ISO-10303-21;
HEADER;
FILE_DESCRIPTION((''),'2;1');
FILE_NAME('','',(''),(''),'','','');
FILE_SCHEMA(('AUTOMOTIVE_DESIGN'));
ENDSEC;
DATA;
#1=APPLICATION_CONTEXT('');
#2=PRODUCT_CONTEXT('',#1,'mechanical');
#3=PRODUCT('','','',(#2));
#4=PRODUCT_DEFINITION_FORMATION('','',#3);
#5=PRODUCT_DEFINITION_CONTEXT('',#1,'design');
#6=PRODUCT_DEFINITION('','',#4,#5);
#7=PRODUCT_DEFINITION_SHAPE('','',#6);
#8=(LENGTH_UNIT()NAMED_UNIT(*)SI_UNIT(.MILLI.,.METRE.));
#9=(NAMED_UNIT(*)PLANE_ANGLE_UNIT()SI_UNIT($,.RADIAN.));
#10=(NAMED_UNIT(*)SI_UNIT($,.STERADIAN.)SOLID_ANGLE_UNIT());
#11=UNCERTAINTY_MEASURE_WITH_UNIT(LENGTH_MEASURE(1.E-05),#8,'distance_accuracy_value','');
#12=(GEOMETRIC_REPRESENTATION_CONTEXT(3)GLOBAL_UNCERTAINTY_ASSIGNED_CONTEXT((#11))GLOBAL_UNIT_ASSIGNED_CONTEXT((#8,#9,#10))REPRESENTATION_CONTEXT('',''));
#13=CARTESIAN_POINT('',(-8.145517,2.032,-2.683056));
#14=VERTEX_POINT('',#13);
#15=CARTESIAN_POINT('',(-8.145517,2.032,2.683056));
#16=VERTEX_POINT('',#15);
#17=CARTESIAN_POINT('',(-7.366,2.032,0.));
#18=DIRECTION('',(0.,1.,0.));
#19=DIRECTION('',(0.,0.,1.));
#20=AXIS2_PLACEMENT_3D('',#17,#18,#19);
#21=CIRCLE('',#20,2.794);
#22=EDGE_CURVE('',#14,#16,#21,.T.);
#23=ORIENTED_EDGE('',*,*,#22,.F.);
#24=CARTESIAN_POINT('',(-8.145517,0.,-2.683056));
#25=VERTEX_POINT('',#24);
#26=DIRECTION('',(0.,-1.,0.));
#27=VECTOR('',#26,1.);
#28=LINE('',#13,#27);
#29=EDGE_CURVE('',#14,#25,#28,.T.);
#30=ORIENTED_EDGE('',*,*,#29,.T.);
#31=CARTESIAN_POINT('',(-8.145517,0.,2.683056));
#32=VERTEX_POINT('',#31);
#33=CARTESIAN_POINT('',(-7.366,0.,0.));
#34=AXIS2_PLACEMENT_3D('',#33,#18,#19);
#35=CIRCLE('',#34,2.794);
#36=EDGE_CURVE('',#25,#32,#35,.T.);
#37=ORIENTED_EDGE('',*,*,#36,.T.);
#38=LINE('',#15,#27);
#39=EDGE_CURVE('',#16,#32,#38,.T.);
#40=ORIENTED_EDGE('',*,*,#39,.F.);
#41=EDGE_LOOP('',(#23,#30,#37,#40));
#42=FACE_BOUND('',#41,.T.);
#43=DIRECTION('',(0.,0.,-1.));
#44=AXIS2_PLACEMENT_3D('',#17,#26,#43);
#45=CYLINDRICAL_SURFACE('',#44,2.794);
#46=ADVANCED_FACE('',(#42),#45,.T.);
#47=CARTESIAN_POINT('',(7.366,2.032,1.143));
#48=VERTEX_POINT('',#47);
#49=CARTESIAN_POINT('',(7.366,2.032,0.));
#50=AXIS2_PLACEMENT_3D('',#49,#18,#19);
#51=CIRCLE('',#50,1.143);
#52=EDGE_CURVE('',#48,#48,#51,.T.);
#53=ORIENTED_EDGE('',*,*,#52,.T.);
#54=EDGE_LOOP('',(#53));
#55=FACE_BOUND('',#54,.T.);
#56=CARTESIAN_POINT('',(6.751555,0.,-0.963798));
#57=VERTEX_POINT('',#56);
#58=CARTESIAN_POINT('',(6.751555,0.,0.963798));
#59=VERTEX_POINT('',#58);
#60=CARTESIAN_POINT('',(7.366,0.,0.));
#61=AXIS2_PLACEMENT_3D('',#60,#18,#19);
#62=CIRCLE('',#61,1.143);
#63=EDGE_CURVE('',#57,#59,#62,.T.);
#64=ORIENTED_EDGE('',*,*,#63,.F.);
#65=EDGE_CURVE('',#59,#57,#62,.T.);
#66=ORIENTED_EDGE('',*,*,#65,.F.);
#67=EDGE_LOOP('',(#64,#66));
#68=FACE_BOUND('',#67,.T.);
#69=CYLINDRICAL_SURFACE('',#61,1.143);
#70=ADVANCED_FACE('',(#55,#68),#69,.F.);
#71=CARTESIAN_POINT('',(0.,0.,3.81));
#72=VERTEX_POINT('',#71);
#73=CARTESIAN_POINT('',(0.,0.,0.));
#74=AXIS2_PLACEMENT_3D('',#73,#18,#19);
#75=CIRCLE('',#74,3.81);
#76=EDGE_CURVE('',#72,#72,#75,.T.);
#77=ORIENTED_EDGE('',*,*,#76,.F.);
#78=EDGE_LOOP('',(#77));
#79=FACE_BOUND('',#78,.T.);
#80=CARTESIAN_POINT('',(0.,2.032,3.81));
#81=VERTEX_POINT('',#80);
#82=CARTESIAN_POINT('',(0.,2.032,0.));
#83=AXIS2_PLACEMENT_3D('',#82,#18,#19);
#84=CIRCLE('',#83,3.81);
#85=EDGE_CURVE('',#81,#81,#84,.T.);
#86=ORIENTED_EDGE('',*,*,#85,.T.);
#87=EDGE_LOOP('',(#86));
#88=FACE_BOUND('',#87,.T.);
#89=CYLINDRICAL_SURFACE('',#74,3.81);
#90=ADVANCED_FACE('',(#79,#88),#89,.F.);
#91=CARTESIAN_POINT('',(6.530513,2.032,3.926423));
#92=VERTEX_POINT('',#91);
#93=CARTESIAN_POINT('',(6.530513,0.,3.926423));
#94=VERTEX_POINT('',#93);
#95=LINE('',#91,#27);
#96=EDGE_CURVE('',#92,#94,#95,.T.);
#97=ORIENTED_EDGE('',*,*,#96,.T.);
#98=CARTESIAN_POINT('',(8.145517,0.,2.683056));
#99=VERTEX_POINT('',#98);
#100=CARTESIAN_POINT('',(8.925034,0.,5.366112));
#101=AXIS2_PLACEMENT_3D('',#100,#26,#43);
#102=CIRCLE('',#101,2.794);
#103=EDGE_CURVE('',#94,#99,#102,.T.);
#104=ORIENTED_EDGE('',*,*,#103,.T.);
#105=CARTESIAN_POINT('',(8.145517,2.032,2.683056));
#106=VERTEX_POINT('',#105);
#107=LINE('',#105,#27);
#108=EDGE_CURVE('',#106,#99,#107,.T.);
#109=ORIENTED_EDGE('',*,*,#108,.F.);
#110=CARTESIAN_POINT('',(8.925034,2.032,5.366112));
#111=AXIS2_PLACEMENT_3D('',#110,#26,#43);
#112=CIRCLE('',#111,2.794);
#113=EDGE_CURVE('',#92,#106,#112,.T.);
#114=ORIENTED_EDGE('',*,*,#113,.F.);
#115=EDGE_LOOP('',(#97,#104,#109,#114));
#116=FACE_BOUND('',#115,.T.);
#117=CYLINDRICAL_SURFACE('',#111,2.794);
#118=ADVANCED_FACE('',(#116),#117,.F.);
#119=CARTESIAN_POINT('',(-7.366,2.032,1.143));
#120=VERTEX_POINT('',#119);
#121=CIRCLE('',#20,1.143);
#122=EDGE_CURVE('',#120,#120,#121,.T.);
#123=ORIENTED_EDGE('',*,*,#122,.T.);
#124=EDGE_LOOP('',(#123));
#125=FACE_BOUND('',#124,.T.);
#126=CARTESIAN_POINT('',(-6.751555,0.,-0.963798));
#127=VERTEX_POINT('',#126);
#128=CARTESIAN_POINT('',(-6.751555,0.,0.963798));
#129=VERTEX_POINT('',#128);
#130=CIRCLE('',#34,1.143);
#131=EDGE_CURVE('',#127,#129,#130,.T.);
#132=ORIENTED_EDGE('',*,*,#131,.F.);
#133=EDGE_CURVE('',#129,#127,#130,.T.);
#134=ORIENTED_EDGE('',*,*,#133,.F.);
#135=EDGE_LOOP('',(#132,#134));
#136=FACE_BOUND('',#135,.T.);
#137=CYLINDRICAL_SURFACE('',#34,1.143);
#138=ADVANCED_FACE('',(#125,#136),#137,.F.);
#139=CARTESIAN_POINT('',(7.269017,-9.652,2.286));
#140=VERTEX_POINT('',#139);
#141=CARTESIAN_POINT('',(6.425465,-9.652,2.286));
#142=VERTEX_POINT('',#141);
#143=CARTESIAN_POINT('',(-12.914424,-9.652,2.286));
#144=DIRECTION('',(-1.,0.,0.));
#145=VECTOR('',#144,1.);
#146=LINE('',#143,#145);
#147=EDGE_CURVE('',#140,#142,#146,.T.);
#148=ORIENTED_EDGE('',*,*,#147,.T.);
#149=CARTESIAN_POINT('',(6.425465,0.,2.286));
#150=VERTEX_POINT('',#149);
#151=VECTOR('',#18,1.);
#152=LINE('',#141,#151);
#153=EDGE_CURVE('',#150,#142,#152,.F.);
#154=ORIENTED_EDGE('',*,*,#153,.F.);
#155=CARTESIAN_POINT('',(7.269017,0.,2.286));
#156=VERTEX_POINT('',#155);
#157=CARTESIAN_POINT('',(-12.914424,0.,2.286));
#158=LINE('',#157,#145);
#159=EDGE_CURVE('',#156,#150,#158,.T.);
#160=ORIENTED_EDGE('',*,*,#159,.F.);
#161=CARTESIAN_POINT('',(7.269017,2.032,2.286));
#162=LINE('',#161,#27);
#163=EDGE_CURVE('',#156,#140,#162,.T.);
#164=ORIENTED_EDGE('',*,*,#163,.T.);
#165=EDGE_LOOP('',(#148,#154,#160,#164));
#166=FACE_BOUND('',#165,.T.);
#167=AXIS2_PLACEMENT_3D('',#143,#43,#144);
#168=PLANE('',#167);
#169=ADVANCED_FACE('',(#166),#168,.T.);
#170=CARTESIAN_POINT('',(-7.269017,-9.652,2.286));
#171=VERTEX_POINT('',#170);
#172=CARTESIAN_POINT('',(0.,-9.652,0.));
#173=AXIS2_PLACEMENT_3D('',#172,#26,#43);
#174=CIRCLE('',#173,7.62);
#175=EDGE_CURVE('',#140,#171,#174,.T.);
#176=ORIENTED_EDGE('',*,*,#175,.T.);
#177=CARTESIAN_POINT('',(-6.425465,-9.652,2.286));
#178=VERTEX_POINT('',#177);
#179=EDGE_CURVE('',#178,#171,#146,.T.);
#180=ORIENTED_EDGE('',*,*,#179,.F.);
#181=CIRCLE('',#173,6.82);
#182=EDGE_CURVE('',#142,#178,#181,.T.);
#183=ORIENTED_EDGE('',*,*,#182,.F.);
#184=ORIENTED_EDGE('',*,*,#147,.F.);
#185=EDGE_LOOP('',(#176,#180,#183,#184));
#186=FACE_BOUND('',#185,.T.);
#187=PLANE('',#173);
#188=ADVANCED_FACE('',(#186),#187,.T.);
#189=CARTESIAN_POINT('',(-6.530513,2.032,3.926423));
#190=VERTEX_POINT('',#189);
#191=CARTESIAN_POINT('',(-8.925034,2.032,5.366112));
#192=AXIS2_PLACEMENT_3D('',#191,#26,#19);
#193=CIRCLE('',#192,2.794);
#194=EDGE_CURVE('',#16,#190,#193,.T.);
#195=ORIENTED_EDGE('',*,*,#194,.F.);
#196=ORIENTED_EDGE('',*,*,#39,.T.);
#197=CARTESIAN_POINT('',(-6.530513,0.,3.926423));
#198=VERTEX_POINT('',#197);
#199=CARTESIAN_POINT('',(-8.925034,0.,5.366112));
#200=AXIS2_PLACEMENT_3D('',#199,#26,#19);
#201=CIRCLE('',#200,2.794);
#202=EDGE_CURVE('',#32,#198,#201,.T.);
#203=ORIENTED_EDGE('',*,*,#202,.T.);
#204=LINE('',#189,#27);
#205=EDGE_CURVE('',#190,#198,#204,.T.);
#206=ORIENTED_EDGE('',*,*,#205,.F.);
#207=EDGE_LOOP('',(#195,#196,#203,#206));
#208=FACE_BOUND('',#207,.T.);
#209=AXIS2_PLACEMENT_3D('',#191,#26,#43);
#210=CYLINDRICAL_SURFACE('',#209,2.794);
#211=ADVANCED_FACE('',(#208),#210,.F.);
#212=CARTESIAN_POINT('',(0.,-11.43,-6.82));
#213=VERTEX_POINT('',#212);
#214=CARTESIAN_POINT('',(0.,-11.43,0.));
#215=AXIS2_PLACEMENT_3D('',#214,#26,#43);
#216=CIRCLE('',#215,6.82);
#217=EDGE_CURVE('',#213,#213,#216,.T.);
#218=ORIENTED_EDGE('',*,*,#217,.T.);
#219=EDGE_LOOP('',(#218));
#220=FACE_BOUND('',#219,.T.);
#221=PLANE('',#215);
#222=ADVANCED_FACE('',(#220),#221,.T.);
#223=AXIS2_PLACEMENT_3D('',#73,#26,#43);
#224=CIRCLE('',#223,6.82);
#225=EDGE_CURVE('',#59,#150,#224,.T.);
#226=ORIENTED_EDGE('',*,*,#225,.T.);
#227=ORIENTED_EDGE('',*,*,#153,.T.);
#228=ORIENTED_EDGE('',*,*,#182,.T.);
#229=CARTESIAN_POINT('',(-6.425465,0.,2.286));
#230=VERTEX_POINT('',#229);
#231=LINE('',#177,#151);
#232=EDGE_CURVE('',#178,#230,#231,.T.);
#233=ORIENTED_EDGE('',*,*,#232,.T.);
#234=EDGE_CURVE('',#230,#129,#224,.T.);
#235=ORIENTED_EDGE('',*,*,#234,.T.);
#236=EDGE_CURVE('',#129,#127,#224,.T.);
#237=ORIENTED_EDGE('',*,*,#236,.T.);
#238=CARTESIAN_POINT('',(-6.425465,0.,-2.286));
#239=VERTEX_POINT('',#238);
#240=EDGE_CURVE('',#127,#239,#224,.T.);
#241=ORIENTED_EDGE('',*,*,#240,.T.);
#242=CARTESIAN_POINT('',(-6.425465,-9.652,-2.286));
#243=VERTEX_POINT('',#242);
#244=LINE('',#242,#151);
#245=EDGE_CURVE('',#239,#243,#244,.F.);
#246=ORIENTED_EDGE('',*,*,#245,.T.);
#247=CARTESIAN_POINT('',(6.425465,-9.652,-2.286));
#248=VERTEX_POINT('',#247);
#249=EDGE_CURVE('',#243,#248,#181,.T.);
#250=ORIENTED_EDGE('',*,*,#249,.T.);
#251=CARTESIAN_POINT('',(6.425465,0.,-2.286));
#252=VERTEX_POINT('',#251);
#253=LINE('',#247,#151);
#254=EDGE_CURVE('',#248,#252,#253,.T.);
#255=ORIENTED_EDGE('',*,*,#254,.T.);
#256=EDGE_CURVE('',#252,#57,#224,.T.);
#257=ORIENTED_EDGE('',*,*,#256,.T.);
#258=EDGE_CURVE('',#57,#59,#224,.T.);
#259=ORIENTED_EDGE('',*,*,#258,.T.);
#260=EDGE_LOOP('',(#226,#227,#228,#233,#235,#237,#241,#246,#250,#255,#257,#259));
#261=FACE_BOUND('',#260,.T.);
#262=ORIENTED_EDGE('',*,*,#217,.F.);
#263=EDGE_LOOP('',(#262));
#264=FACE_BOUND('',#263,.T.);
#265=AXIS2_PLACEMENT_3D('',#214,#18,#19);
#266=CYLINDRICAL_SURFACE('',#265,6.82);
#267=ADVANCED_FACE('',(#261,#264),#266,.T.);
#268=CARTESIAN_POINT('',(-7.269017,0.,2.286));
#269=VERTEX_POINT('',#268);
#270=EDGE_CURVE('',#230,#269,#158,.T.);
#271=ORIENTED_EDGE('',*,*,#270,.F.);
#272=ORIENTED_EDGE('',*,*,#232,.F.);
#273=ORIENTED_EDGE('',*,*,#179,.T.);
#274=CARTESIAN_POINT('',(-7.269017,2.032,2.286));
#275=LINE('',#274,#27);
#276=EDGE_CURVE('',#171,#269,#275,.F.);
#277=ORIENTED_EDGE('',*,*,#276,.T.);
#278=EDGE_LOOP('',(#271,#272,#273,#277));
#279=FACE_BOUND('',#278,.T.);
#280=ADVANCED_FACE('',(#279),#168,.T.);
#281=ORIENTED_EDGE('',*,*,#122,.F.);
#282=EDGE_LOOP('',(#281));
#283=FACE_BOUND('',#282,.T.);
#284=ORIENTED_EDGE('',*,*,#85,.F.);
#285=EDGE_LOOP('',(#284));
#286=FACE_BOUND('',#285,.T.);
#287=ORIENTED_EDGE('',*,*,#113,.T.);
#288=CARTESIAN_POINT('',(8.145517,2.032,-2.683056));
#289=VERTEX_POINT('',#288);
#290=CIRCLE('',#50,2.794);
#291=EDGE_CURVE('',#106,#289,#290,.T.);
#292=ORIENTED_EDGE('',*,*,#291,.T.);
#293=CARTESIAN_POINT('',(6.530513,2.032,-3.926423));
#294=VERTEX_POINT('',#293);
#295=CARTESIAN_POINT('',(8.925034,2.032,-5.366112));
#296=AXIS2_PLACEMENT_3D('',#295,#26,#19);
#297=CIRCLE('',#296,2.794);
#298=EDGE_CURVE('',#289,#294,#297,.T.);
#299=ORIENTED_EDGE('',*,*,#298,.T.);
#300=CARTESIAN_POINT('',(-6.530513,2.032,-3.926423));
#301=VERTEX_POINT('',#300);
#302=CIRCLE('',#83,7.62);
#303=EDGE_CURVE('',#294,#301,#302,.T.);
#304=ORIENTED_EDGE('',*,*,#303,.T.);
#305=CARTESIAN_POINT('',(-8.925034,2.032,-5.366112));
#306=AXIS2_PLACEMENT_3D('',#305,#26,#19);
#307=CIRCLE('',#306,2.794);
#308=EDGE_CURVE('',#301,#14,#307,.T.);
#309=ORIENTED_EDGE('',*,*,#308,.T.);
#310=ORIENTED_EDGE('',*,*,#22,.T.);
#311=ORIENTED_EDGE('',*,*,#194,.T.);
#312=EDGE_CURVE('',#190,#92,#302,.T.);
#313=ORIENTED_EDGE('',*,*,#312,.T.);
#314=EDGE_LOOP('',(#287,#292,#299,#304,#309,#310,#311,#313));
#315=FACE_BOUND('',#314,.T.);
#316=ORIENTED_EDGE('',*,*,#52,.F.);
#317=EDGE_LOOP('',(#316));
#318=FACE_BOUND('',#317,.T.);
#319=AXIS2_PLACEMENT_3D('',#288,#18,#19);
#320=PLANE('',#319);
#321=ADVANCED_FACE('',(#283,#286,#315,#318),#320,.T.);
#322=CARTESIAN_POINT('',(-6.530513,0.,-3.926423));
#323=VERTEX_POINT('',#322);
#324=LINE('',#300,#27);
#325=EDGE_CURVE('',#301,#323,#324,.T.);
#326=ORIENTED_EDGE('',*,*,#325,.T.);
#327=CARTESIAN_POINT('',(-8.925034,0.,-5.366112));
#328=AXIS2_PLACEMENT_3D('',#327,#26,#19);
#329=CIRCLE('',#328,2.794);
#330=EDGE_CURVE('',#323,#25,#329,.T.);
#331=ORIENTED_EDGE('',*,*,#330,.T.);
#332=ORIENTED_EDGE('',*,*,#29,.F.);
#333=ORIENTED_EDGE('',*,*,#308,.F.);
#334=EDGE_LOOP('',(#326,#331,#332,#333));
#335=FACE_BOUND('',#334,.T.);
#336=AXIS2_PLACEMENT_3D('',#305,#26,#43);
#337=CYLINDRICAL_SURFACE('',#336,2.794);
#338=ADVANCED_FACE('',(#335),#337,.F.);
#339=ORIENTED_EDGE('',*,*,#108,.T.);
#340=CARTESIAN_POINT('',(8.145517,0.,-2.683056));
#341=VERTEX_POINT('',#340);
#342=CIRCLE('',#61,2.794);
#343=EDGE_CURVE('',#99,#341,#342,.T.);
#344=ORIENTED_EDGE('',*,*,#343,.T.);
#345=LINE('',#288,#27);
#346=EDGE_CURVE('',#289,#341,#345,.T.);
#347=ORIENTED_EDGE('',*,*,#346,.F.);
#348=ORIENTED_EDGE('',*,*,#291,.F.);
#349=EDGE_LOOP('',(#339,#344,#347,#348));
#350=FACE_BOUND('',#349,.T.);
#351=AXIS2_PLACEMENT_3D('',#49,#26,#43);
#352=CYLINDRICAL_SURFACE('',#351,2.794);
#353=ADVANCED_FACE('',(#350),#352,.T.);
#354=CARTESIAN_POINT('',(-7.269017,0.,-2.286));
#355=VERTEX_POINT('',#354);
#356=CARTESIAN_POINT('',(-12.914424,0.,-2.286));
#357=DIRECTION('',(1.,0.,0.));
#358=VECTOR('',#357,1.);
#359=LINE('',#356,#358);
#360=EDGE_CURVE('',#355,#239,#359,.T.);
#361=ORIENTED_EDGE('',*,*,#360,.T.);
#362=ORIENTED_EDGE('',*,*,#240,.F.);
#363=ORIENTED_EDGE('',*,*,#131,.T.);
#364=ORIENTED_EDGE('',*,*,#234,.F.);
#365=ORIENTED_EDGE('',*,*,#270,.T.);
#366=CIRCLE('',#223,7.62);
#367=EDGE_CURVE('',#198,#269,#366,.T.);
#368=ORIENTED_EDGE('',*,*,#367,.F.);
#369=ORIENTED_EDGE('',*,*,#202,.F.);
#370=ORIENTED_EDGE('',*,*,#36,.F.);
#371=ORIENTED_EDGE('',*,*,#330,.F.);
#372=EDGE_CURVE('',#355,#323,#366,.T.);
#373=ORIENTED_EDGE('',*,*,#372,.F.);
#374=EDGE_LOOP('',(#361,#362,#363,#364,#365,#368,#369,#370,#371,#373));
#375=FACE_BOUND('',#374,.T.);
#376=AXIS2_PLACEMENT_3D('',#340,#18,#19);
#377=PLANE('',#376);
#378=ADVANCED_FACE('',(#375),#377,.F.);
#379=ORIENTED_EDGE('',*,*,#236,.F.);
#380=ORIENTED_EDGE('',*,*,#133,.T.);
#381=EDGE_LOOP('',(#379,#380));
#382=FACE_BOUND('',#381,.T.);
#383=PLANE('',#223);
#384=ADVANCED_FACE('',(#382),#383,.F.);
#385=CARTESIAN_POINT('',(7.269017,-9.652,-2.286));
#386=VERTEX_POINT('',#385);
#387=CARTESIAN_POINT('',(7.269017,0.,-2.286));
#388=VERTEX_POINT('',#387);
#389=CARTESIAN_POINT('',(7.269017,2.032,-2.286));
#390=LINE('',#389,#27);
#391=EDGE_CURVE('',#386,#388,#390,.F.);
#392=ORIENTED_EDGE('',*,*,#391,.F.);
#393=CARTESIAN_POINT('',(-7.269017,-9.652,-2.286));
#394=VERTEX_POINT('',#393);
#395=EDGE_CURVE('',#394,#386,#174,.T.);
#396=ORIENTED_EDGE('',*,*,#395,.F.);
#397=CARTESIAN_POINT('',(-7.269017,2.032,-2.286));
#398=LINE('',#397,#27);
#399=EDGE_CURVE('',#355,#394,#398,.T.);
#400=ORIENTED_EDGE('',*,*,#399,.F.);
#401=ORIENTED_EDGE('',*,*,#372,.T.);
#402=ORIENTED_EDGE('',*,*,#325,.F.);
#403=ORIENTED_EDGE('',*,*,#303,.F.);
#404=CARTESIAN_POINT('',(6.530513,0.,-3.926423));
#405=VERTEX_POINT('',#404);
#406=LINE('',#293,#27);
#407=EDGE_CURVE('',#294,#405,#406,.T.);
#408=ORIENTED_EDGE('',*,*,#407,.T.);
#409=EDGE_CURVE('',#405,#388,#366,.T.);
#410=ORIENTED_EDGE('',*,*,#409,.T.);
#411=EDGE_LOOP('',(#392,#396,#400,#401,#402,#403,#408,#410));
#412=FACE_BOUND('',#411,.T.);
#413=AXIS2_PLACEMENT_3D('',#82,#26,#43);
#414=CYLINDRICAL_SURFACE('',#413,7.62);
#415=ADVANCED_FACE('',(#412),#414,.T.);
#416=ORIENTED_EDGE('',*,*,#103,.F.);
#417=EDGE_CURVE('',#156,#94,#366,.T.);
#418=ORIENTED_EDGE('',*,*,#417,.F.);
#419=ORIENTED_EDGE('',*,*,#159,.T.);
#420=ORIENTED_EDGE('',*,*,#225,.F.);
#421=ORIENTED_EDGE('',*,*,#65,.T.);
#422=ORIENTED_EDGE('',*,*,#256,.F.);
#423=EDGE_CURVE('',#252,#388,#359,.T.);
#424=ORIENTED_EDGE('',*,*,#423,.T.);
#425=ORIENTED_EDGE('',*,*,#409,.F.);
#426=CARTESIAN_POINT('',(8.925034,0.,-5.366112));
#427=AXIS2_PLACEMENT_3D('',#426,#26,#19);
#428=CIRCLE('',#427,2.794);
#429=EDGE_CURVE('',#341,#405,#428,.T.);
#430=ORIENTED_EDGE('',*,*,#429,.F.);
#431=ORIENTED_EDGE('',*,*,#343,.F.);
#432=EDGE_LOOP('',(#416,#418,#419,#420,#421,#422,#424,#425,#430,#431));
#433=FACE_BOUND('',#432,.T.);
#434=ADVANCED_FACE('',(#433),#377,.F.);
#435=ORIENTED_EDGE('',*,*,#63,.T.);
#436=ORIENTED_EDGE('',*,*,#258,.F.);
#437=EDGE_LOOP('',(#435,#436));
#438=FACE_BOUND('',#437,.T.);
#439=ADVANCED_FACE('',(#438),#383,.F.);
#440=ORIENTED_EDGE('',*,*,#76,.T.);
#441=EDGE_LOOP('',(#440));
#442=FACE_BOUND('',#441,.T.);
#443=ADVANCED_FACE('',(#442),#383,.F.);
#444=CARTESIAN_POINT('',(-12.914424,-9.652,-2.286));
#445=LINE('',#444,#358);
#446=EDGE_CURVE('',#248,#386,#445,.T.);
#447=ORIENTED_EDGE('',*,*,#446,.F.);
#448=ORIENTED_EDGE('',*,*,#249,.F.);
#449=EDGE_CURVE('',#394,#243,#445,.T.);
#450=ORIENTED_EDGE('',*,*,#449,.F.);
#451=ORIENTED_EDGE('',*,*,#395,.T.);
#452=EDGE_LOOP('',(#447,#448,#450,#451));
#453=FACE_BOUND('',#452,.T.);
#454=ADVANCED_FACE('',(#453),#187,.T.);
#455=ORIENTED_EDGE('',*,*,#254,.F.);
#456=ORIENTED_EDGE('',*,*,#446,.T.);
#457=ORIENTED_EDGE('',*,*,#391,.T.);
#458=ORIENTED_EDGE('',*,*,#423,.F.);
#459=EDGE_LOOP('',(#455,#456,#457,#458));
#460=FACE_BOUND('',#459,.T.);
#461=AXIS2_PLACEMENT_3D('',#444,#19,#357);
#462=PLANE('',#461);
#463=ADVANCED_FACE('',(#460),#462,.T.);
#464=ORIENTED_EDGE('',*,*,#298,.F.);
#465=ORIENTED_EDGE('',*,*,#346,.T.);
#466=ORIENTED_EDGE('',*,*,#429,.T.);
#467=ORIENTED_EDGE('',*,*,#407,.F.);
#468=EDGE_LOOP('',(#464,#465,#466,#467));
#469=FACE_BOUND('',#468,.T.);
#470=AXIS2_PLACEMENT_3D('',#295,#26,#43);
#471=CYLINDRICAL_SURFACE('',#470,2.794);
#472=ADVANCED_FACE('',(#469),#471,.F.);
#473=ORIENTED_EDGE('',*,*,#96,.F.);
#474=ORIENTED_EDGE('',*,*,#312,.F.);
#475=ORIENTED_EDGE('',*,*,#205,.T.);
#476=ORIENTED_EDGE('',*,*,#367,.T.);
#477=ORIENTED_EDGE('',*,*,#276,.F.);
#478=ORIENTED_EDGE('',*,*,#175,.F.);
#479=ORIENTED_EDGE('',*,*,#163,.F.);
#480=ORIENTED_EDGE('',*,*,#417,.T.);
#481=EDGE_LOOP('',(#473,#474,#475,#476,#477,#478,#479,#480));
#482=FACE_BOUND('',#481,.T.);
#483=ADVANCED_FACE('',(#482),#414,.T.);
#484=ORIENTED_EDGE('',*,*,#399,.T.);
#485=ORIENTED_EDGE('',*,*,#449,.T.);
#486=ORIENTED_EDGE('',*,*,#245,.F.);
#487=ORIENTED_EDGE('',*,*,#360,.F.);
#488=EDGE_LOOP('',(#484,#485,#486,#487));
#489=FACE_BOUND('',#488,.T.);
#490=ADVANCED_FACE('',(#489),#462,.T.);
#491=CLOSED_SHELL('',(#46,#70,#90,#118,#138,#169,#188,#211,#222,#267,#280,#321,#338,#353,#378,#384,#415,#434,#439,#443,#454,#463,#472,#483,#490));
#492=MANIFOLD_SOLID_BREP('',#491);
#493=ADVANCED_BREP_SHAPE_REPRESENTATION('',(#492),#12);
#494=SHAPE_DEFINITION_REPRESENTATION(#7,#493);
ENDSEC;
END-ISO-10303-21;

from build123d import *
from build123d.topology import SkipClean

# Parameters (mm, degrees)
BOSS_EXTRUDE1_DEPTH = 2.032
SKETCH2_R           = 3.81
SKETCH2_R_2         = 1.143
CUT_EXTRUDE1_DEPTH  = 13.861532724
BOSS_EXTRUDE2_START = 9.652
SKETCH3_R           = 7.62
SKETCH3_R_2         = 6.82
BOSS_EXTRUDE2_DEPTH = 9.652
SKETCH4_W           = 25.828848912
SKETCH4_H           = 4.572
CUT_EXTRUDE2_DEPTH  = 16.951523564
BOSS_EXTRUDE3_START = 11.43
SKETCH5_R           = 6.82
BOSS_EXTRUDE3_DEPTH = 11.43


with BuildPart() as part:
    # Sketch1 → Boss-Extrude1 (new body)
    with BuildSketch(Plane(origin=(0, 0, 0), x_dir=(1, 0, 0), z_dir=(0, 1, 0))):
        with BuildLine():
            ThreePointArc((-6.530513036, -3.926423243), (0, -7.62), (6.530513036, -3.926423243))
            ThreePointArc((6.530513036, -3.926423243), (7.220592933, -3.152220394), (8.145517241, -2.683055883))
            ThreePointArc((8.145517241, -2.683055883), (10.16, 0), (8.145517241, 2.683055883))
            ThreePointArc((8.145517241, 2.683055883), (7.220592933, 3.152220394), (6.530513036, 3.926423243))
            ThreePointArc((6.530513036, 3.926423243), (0, 7.62), (-6.530513036, 3.926423243))
            ThreePointArc((-6.530513036, 3.926423243), (-7.220592933, 3.152220394), (-8.145517241, 2.683055883))
            ThreePointArc((-8.145517241, 2.683055883), (-10.16, 0), (-8.145517241, -2.683055883))
            ThreePointArc((-8.145517241, -2.683055883), (-7.220592933, -3.152220394), (-6.530513036, -3.926423243))
        make_face()
    extrude(amount=BOSS_EXTRUDE1_DEPTH)

    # Sketch2 → Cut-Extrude1 (cut, through all)
    with BuildSketch(Plane(origin=(0, 2.032, 0), x_dir=(1, 0, 0), z_dir=(0, 1, 0))):
        with Locations(Location((0, 0, 0), (0, 0, 270))):
            Circle(SKETCH2_R)
        with Locations(Location((-7.366, 0, 0), (0, 0, 270))):
            Circle(SKETCH2_R_2)
        with Locations(Location((7.366, 0, 0), (0, 0, 270))):
            Circle(SKETCH2_R_2)
    extrude(amount=-CUT_EXTRUDE1_DEPTH, mode=Mode.SUBTRACT)

    # Sketch3 → Boss-Extrude2 (add)
    with SkipClean():  # the faces are left unmerged after this step: merging them gives an invalid solid
        with BuildSketch(Plane.XZ.offset(BOSS_EXTRUDE2_START)):
            with Locations(Location((0, 0, 0), (0, 0, 270))):
                Circle(SKETCH3_R)
            with Locations(Location((0, 0, 0), (0, 0, 171.875802718))):
                Circle(SKETCH3_R_2, mode=Mode.SUBTRACT)
        extrude(amount=-BOSS_EXTRUDE2_DEPTH)

    # Sketch4 → Cut-Extrude2 (cut, through all)
    with SkipClean():  # the faces are left unmerged after this step: merging them gives an invalid solid
        with BuildSketch(Plane.XZ):
            Rectangle(SKETCH4_W, SKETCH4_H)
        extrude(amount=CUT_EXTRUDE2_DEPTH, mode=Mode.SUBTRACT)

    # Sketch5 → Boss-Extrude3 (add)
    with SkipClean():  # the faces are left unmerged after this step: merging them gives an invalid solid
        with BuildSketch(Plane.XZ.offset(BOSS_EXTRUDE3_START)):
            with Locations(Location((0, 0, 0), (0, 0, 160.415870392))):
                Circle(SKETCH5_R)
        extrude(amount=-BOSS_EXTRUDE3_DEPTH)


solid = part.part
